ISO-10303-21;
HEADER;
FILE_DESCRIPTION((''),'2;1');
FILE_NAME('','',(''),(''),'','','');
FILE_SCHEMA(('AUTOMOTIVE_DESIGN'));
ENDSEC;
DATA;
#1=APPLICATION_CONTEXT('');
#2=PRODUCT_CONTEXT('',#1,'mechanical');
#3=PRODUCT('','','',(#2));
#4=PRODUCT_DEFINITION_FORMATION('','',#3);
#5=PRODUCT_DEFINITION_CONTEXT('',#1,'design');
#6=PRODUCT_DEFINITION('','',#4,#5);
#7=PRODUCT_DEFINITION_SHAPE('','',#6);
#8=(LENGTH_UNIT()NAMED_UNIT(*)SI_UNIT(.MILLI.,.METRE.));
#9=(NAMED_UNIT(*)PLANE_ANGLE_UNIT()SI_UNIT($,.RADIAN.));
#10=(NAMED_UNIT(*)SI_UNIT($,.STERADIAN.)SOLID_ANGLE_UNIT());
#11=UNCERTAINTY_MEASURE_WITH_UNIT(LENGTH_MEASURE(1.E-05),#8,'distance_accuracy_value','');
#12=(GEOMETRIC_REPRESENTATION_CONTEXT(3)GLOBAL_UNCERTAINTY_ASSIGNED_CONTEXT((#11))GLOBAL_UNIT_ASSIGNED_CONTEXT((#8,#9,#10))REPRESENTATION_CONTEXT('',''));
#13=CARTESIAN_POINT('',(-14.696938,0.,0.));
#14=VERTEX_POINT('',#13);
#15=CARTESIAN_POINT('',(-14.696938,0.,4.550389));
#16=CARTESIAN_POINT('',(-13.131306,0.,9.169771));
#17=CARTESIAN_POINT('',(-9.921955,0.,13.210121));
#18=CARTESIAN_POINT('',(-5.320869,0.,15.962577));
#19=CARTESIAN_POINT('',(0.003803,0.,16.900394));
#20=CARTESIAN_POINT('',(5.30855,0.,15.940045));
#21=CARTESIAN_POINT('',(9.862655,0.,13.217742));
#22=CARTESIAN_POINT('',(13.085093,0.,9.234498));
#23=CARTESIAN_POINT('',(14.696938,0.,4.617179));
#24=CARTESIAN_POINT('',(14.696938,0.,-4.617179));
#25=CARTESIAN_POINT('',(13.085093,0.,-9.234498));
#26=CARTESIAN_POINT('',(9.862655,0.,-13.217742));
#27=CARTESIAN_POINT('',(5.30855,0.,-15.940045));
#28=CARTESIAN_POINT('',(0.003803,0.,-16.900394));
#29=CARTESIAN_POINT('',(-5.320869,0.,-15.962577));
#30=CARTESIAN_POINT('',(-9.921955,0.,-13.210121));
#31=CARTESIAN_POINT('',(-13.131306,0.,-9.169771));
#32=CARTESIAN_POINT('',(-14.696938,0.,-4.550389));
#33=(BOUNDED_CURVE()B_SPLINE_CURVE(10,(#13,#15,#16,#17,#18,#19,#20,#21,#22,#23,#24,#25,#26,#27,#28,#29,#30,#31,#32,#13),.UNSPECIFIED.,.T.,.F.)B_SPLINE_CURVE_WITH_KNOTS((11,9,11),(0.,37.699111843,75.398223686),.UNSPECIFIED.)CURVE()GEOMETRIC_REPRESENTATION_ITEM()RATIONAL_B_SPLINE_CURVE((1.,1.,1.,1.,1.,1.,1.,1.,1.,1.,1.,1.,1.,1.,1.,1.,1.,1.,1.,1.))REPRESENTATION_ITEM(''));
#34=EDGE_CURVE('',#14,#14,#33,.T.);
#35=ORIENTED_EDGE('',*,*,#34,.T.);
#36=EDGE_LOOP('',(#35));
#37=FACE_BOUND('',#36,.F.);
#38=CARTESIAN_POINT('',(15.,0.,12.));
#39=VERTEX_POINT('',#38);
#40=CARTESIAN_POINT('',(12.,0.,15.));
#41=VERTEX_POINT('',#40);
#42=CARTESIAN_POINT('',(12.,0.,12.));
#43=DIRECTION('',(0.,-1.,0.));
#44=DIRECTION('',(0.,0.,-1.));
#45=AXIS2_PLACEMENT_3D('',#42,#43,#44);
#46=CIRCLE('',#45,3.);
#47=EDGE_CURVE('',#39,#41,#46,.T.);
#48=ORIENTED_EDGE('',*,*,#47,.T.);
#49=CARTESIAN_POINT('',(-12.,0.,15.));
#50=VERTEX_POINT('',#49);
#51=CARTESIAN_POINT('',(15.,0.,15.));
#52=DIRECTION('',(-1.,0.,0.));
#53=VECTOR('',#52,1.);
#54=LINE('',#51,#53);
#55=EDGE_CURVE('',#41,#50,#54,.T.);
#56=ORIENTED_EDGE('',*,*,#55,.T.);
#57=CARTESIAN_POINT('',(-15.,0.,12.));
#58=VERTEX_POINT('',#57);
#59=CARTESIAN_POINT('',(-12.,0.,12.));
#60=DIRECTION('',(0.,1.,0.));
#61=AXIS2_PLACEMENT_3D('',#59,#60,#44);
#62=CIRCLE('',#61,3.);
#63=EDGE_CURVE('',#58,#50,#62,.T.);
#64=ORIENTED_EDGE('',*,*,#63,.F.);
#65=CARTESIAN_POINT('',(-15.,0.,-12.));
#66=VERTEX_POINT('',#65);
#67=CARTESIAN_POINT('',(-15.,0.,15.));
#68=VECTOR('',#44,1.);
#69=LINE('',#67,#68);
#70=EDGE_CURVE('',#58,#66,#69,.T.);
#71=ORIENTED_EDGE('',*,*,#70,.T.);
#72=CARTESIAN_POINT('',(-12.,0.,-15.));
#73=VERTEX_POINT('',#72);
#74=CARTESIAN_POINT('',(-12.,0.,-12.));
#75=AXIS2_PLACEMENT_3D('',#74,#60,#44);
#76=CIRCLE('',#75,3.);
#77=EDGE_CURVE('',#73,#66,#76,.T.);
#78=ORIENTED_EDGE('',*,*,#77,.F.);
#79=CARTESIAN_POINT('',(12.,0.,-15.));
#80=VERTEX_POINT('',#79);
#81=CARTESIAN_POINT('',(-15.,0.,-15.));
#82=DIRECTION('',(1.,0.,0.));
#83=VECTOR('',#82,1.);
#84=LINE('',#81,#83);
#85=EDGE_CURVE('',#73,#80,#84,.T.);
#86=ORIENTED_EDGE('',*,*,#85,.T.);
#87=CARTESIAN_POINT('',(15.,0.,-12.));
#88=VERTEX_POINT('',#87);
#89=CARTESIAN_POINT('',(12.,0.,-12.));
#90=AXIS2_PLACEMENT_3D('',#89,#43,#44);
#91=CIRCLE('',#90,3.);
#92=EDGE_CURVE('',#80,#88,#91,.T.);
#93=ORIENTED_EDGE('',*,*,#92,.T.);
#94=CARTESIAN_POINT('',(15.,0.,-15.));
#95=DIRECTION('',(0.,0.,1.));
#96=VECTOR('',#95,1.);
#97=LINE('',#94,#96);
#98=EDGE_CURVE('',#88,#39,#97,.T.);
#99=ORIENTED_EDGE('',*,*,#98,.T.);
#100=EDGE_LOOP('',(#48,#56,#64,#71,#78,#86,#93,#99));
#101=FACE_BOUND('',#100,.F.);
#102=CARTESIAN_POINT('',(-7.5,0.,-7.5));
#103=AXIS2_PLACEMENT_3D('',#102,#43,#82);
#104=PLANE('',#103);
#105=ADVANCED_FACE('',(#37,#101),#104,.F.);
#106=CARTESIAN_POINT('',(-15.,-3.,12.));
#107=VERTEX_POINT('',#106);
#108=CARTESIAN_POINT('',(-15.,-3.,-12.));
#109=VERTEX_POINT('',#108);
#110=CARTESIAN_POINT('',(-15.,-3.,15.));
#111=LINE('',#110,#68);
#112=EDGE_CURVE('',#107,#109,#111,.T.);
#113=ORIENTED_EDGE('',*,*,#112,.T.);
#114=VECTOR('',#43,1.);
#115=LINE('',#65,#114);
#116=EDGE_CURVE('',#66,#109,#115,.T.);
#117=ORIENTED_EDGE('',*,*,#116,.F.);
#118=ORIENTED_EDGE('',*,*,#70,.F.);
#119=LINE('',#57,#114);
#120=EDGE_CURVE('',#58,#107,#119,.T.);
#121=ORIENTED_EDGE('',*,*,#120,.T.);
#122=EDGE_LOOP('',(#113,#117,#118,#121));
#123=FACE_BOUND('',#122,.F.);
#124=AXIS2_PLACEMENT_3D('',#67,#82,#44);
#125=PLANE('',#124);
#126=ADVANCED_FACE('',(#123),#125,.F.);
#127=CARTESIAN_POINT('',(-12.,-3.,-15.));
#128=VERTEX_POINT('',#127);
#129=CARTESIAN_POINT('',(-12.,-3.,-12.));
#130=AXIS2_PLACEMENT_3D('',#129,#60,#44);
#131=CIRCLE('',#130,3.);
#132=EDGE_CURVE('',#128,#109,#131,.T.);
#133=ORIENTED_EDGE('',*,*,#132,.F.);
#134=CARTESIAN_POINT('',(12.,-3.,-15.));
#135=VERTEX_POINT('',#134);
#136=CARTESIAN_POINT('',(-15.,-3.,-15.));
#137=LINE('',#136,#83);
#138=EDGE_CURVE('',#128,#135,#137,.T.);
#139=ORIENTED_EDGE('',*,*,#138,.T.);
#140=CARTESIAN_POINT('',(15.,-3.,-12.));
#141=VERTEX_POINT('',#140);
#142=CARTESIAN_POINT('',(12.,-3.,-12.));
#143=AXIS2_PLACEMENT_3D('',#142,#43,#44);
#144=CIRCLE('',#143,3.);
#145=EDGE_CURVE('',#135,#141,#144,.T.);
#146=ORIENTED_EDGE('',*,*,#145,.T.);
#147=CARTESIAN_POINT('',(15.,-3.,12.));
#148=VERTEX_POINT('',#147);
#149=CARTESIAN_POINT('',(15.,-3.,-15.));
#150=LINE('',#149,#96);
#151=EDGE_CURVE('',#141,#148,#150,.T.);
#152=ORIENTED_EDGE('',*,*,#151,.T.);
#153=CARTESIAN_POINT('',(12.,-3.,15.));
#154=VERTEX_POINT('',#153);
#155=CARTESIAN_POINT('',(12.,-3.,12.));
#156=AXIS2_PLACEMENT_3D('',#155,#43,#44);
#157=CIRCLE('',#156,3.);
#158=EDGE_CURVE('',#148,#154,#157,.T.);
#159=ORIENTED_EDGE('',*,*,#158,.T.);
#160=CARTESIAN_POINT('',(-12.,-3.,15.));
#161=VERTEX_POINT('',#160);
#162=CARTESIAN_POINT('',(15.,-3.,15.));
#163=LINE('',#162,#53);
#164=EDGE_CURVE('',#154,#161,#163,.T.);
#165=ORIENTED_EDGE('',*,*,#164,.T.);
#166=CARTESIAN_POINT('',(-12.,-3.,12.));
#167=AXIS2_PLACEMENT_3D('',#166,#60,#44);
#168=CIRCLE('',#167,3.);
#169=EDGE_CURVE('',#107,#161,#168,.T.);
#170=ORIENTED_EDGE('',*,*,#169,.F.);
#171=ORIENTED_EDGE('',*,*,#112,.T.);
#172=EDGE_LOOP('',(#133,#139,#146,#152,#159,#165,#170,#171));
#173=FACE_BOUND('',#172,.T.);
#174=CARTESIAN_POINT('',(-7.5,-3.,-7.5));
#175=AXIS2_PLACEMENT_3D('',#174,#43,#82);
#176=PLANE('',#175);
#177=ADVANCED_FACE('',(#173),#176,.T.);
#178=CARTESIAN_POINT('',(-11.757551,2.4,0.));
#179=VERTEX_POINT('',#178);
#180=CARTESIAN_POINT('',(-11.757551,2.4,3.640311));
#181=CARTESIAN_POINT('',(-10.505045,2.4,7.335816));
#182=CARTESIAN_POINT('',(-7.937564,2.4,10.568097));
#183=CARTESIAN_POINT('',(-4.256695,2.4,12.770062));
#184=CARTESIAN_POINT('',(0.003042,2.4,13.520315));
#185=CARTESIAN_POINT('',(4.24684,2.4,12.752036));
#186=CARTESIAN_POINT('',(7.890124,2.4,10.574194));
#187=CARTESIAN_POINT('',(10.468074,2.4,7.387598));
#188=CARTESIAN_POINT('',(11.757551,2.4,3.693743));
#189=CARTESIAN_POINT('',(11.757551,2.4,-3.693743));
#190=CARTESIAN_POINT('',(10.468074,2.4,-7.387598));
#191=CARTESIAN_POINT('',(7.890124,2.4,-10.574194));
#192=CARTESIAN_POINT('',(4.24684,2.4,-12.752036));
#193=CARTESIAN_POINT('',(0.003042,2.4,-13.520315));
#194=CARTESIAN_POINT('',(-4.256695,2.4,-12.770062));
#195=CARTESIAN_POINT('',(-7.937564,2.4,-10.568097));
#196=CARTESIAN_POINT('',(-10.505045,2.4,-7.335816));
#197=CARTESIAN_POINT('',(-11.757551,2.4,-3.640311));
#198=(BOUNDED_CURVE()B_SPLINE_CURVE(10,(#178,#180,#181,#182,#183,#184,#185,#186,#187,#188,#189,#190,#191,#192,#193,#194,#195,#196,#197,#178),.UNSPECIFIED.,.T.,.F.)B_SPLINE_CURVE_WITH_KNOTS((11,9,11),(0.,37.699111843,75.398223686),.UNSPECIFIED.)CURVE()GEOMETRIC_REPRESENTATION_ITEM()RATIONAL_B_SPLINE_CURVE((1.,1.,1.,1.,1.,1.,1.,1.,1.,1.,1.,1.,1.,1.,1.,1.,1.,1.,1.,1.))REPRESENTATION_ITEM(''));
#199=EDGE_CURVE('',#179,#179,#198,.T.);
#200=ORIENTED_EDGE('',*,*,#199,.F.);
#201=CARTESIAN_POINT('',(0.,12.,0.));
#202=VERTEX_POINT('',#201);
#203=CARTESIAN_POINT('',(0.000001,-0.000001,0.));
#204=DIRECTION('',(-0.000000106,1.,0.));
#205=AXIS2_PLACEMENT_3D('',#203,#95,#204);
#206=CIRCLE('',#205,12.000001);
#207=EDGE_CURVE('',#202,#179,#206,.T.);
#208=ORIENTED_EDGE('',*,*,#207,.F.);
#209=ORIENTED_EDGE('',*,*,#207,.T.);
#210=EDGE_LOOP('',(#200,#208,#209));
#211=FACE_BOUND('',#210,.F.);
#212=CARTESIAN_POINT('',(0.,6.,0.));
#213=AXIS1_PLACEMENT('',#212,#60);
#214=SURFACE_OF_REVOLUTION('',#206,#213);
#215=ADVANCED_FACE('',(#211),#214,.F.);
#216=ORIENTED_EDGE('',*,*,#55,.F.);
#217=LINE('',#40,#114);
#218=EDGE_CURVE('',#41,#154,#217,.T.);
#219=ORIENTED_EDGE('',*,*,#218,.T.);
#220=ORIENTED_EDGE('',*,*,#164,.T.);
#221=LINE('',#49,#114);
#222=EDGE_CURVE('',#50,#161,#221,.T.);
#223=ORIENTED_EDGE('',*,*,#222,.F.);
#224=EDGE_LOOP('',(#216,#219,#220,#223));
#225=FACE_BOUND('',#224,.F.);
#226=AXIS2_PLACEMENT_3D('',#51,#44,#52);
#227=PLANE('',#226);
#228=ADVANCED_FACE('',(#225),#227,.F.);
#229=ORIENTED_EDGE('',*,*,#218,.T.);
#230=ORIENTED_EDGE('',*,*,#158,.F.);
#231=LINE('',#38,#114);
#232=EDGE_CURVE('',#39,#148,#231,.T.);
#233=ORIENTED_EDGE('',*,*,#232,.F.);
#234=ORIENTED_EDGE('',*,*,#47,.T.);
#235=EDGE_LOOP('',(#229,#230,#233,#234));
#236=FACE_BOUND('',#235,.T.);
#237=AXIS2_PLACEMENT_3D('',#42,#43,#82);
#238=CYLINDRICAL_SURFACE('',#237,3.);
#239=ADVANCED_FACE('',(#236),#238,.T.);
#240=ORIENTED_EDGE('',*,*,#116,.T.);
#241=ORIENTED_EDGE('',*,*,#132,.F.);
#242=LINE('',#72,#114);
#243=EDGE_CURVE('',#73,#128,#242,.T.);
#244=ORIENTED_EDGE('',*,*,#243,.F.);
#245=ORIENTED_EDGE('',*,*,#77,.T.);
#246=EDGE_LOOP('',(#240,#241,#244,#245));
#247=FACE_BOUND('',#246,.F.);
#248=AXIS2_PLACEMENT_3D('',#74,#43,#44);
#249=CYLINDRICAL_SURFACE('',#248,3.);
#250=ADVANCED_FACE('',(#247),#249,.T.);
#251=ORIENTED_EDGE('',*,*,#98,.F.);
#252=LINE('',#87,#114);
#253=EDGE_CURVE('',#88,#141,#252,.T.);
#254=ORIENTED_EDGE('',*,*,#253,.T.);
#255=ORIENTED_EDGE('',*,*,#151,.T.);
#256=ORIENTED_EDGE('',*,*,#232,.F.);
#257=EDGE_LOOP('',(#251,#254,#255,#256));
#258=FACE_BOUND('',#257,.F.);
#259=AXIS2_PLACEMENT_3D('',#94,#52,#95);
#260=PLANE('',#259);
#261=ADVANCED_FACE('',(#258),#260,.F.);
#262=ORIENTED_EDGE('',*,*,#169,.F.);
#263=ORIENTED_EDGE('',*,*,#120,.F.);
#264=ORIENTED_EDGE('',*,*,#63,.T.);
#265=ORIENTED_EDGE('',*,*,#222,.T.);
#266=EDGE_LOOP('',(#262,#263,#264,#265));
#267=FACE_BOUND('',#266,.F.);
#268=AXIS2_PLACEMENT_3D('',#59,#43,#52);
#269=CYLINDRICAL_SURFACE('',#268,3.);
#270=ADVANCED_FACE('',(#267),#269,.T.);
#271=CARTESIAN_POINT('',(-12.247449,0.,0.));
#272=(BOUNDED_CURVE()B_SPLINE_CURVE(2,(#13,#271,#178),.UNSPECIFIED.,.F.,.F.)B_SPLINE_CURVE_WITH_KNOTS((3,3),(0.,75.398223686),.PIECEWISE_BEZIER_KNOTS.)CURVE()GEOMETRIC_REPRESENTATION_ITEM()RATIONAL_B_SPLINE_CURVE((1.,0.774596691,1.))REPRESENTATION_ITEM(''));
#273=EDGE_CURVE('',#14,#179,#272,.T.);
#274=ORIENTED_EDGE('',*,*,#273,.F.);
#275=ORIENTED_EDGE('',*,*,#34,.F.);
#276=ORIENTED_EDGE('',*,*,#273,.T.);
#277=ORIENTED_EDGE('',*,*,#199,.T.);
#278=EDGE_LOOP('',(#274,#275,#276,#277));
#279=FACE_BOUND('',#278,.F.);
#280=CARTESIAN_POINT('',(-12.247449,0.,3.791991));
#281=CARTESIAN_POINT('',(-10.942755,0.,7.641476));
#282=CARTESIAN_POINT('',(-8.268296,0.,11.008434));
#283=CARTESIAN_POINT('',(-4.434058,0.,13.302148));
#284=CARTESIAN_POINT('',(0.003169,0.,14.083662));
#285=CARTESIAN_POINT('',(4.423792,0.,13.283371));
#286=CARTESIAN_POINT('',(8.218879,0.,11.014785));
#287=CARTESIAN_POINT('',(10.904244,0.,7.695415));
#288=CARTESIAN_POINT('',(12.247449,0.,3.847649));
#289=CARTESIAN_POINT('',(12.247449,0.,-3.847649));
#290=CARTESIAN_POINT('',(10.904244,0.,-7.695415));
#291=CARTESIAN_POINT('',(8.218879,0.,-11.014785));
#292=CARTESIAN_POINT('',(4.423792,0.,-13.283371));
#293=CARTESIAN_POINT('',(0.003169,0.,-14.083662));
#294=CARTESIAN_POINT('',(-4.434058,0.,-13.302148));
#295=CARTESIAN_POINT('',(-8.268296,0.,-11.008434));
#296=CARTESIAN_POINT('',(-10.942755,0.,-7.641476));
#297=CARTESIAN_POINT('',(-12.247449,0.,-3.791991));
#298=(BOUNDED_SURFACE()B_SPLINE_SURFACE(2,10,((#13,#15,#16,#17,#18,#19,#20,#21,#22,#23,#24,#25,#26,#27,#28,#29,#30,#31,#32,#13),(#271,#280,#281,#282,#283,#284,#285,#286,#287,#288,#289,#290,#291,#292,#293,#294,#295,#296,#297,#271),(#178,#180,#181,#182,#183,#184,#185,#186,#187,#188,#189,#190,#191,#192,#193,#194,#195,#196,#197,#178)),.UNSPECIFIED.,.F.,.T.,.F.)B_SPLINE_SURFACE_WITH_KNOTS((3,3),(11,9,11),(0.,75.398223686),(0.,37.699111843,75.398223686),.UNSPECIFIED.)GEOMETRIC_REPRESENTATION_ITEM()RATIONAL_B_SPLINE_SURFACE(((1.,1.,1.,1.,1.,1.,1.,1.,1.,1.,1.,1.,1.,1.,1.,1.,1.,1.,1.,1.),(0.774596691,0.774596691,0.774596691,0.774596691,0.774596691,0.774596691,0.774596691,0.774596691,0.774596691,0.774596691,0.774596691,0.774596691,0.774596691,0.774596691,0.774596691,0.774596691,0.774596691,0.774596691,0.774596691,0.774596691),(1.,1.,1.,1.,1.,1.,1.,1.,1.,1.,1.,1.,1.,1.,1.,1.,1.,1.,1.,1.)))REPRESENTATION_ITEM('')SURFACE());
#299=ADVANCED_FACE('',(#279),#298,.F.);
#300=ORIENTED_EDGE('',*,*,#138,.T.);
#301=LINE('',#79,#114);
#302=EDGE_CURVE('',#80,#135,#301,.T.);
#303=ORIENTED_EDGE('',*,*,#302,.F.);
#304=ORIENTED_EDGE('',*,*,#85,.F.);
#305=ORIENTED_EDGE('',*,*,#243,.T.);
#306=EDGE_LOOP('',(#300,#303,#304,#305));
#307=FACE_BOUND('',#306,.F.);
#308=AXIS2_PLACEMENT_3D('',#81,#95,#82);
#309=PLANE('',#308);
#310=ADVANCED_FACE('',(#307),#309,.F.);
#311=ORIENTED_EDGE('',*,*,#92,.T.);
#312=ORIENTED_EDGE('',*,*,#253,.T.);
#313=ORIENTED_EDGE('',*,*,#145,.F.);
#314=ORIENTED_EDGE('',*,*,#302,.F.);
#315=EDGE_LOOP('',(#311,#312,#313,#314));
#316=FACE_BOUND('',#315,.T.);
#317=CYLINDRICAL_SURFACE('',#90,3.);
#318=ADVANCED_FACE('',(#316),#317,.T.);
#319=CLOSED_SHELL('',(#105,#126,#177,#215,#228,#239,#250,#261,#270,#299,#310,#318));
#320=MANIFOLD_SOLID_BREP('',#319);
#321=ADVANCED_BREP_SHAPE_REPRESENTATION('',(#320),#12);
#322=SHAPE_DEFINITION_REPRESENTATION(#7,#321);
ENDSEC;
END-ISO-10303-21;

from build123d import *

# Parameters (mm, degrees)
F2_W     = 15
F2_H     = 15
F3_DEPTH = 3
F4_R     = 3


with BuildPart() as f1:
    # F0 (on Top) → F1 (revolve)
    with BuildSketch(Plane.XY):
        with BuildLine():
            Line((-12, 0), (0, 0))
            Line((0, 0), (0, 12))
            ThreePointArc((0, 12), (-8.485281, 8.485281), (-12, 0))
        make_face()
    revolve(axis=Axis((0, 6, 0), (0, 1, 0)))

    # F2 (on Front) → F3 (join)
    with BuildSketch(Plane.XZ):
        with Locations((-7.5, -7.5)):
            Rectangle(F2_W, F2_H)
        Polygon((14.947975, 0), (0, 0), (0, -15), (15, -15), (15, 0), align=None)
        Polygon((-15, 0), (0, 0), (14.947975, 0), (15, 0), (15, 15), (-15, 15), align=None)
    extrude(amount=F3_DEPTH)

    # F4
    f4_edges = [f1.edges().sort_by_distance(p)[0] for p in [
        (15, -1.5, 15),
        (15, -1.5, -15),
        (-15, -1.5, -15),
        (-15, -1.5, 15),
        (12, 0, 0),
    ]]
    fillet(f4_edges, radius=F4_R)


solid = f1.part
